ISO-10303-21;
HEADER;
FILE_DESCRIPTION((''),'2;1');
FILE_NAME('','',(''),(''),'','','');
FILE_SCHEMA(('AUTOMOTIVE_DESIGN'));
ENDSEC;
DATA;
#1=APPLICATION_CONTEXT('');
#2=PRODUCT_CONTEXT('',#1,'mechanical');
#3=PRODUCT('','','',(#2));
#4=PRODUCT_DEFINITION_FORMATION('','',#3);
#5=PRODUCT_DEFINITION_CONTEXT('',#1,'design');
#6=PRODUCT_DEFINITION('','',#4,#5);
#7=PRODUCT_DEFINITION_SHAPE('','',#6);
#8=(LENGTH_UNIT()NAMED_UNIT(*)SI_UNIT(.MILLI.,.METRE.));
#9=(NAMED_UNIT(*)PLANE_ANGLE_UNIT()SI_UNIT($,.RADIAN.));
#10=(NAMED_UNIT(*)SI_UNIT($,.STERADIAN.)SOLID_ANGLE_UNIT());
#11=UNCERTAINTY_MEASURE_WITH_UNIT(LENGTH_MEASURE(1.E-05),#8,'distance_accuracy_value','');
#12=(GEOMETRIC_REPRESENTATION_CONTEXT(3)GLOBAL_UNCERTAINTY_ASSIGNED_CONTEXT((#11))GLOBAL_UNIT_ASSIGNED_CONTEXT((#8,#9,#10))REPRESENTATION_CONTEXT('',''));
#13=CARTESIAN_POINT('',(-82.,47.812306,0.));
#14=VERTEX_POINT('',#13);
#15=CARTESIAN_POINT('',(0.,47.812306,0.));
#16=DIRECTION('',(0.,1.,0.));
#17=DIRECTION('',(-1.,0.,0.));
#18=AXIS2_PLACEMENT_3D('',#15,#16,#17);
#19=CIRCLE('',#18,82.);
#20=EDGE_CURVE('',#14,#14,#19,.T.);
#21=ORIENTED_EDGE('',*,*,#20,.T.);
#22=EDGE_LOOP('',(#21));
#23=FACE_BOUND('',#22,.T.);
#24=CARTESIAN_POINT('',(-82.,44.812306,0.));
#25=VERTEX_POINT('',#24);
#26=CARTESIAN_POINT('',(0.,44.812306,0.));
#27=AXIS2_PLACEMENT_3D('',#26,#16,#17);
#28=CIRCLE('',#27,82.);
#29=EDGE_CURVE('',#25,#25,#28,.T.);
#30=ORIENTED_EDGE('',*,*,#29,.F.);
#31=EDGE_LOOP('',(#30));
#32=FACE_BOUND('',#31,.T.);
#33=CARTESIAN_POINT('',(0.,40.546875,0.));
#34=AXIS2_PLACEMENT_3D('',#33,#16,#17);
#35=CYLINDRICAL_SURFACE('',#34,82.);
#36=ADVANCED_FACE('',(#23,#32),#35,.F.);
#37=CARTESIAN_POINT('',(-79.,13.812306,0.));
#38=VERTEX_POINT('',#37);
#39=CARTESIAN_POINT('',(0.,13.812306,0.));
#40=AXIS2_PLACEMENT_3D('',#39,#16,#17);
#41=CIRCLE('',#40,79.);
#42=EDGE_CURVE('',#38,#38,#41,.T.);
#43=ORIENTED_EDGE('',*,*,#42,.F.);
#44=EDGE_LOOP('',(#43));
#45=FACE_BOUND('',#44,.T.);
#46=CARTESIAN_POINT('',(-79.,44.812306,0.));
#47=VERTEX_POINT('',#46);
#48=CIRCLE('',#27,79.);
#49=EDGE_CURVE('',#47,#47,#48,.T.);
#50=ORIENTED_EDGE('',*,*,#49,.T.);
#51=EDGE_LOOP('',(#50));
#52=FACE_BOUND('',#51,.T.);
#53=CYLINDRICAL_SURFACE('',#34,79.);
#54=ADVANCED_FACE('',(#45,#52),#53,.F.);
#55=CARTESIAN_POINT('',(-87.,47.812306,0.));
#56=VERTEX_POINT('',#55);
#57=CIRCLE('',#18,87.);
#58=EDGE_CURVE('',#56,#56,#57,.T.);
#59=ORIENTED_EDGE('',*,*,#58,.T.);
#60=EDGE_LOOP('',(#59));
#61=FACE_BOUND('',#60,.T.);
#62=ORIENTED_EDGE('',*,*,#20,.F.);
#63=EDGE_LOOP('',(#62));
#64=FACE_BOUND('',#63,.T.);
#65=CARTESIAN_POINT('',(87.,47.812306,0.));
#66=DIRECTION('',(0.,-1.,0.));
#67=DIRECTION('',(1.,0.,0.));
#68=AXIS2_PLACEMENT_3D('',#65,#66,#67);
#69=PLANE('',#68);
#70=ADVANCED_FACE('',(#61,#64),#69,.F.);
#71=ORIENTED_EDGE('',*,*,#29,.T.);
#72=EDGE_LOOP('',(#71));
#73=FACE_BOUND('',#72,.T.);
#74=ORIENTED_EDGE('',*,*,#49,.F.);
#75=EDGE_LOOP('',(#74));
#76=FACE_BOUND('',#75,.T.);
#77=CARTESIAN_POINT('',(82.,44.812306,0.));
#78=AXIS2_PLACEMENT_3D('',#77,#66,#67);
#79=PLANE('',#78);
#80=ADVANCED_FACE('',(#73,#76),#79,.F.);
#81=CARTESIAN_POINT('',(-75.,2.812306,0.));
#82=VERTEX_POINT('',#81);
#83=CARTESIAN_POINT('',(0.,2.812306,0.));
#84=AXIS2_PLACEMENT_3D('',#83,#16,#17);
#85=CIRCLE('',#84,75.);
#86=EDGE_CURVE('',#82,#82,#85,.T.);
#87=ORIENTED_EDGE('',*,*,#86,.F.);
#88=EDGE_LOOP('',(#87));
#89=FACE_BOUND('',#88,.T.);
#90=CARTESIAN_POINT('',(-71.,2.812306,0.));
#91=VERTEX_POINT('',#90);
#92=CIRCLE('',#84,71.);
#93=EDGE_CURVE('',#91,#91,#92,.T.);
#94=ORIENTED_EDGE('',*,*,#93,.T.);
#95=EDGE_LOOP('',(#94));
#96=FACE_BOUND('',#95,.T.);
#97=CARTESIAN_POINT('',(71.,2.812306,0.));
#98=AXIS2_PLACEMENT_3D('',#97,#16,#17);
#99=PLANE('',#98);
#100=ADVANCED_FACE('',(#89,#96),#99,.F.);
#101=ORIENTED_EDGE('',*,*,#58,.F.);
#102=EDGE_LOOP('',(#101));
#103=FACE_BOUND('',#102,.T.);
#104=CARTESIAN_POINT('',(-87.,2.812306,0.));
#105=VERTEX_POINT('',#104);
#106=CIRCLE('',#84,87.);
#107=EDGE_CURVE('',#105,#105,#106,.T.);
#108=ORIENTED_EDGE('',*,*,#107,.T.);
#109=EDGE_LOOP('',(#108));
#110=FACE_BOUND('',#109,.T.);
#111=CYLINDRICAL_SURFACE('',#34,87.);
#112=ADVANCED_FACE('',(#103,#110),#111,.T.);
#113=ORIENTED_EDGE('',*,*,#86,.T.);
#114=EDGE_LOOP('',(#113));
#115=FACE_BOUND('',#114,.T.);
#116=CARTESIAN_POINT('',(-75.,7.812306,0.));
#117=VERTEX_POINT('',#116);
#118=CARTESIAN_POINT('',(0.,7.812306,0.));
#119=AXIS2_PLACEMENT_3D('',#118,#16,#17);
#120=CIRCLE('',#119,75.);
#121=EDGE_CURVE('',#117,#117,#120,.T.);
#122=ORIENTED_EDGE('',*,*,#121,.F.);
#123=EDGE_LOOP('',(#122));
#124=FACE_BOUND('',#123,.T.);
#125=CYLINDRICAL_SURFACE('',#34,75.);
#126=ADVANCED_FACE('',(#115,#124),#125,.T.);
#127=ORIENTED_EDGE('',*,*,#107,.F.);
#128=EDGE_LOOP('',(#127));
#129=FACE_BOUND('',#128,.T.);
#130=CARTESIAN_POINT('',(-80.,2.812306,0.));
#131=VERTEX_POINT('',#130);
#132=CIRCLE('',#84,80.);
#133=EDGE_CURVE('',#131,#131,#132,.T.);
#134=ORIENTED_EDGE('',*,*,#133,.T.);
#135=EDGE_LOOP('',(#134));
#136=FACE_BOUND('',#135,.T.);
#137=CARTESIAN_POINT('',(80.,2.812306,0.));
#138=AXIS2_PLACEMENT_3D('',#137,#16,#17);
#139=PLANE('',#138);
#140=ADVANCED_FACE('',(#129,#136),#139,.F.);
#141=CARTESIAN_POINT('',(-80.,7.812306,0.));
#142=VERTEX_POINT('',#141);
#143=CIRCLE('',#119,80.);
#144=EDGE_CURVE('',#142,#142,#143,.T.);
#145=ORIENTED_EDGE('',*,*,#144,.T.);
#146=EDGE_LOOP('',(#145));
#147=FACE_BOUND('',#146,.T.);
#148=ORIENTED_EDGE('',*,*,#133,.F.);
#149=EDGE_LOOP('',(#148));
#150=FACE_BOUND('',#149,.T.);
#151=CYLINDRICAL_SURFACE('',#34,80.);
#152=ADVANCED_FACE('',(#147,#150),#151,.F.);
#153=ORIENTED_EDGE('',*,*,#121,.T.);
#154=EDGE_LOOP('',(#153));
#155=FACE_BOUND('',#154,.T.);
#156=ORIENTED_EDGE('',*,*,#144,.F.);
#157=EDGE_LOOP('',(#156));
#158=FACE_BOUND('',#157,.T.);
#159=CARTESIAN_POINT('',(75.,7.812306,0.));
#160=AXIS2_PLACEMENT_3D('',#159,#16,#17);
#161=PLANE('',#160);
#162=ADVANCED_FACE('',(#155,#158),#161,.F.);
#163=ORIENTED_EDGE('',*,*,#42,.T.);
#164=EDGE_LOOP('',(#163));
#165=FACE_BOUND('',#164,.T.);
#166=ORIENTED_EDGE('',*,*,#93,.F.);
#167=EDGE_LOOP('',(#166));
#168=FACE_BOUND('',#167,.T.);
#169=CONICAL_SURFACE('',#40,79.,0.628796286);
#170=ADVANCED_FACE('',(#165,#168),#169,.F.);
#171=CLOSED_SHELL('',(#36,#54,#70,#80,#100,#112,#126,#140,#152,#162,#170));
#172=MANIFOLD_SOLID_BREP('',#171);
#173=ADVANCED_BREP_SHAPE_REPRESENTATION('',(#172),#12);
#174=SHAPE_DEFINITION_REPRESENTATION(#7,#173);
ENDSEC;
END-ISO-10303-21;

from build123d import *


with BuildPart() as part:
    # Esquisse1 → Révolution1 (revolve)
    with BuildSketch(Plane.XY, mode=Mode.PRIVATE) as r_volution1_sk:
        Polygon((71, 2.812306231), (75, 2.812306231), (75, 7.812306231), (80, 7.812306231), (80, 2.812306231), (87, 2.812306231), (87, 47.812306231), (82, 47.812306231), (82, 44.812306231), (79, 44.812306231), (79, 13.812306231), align=None)
    revolve(r_volution1_sk.sketch.rotate(Axis((0, 40.546875, 0), (0, -1, 0)), 180), axis=Axis((0, 40.546875, 0), (0, -1, 0)))


solid = part.part
